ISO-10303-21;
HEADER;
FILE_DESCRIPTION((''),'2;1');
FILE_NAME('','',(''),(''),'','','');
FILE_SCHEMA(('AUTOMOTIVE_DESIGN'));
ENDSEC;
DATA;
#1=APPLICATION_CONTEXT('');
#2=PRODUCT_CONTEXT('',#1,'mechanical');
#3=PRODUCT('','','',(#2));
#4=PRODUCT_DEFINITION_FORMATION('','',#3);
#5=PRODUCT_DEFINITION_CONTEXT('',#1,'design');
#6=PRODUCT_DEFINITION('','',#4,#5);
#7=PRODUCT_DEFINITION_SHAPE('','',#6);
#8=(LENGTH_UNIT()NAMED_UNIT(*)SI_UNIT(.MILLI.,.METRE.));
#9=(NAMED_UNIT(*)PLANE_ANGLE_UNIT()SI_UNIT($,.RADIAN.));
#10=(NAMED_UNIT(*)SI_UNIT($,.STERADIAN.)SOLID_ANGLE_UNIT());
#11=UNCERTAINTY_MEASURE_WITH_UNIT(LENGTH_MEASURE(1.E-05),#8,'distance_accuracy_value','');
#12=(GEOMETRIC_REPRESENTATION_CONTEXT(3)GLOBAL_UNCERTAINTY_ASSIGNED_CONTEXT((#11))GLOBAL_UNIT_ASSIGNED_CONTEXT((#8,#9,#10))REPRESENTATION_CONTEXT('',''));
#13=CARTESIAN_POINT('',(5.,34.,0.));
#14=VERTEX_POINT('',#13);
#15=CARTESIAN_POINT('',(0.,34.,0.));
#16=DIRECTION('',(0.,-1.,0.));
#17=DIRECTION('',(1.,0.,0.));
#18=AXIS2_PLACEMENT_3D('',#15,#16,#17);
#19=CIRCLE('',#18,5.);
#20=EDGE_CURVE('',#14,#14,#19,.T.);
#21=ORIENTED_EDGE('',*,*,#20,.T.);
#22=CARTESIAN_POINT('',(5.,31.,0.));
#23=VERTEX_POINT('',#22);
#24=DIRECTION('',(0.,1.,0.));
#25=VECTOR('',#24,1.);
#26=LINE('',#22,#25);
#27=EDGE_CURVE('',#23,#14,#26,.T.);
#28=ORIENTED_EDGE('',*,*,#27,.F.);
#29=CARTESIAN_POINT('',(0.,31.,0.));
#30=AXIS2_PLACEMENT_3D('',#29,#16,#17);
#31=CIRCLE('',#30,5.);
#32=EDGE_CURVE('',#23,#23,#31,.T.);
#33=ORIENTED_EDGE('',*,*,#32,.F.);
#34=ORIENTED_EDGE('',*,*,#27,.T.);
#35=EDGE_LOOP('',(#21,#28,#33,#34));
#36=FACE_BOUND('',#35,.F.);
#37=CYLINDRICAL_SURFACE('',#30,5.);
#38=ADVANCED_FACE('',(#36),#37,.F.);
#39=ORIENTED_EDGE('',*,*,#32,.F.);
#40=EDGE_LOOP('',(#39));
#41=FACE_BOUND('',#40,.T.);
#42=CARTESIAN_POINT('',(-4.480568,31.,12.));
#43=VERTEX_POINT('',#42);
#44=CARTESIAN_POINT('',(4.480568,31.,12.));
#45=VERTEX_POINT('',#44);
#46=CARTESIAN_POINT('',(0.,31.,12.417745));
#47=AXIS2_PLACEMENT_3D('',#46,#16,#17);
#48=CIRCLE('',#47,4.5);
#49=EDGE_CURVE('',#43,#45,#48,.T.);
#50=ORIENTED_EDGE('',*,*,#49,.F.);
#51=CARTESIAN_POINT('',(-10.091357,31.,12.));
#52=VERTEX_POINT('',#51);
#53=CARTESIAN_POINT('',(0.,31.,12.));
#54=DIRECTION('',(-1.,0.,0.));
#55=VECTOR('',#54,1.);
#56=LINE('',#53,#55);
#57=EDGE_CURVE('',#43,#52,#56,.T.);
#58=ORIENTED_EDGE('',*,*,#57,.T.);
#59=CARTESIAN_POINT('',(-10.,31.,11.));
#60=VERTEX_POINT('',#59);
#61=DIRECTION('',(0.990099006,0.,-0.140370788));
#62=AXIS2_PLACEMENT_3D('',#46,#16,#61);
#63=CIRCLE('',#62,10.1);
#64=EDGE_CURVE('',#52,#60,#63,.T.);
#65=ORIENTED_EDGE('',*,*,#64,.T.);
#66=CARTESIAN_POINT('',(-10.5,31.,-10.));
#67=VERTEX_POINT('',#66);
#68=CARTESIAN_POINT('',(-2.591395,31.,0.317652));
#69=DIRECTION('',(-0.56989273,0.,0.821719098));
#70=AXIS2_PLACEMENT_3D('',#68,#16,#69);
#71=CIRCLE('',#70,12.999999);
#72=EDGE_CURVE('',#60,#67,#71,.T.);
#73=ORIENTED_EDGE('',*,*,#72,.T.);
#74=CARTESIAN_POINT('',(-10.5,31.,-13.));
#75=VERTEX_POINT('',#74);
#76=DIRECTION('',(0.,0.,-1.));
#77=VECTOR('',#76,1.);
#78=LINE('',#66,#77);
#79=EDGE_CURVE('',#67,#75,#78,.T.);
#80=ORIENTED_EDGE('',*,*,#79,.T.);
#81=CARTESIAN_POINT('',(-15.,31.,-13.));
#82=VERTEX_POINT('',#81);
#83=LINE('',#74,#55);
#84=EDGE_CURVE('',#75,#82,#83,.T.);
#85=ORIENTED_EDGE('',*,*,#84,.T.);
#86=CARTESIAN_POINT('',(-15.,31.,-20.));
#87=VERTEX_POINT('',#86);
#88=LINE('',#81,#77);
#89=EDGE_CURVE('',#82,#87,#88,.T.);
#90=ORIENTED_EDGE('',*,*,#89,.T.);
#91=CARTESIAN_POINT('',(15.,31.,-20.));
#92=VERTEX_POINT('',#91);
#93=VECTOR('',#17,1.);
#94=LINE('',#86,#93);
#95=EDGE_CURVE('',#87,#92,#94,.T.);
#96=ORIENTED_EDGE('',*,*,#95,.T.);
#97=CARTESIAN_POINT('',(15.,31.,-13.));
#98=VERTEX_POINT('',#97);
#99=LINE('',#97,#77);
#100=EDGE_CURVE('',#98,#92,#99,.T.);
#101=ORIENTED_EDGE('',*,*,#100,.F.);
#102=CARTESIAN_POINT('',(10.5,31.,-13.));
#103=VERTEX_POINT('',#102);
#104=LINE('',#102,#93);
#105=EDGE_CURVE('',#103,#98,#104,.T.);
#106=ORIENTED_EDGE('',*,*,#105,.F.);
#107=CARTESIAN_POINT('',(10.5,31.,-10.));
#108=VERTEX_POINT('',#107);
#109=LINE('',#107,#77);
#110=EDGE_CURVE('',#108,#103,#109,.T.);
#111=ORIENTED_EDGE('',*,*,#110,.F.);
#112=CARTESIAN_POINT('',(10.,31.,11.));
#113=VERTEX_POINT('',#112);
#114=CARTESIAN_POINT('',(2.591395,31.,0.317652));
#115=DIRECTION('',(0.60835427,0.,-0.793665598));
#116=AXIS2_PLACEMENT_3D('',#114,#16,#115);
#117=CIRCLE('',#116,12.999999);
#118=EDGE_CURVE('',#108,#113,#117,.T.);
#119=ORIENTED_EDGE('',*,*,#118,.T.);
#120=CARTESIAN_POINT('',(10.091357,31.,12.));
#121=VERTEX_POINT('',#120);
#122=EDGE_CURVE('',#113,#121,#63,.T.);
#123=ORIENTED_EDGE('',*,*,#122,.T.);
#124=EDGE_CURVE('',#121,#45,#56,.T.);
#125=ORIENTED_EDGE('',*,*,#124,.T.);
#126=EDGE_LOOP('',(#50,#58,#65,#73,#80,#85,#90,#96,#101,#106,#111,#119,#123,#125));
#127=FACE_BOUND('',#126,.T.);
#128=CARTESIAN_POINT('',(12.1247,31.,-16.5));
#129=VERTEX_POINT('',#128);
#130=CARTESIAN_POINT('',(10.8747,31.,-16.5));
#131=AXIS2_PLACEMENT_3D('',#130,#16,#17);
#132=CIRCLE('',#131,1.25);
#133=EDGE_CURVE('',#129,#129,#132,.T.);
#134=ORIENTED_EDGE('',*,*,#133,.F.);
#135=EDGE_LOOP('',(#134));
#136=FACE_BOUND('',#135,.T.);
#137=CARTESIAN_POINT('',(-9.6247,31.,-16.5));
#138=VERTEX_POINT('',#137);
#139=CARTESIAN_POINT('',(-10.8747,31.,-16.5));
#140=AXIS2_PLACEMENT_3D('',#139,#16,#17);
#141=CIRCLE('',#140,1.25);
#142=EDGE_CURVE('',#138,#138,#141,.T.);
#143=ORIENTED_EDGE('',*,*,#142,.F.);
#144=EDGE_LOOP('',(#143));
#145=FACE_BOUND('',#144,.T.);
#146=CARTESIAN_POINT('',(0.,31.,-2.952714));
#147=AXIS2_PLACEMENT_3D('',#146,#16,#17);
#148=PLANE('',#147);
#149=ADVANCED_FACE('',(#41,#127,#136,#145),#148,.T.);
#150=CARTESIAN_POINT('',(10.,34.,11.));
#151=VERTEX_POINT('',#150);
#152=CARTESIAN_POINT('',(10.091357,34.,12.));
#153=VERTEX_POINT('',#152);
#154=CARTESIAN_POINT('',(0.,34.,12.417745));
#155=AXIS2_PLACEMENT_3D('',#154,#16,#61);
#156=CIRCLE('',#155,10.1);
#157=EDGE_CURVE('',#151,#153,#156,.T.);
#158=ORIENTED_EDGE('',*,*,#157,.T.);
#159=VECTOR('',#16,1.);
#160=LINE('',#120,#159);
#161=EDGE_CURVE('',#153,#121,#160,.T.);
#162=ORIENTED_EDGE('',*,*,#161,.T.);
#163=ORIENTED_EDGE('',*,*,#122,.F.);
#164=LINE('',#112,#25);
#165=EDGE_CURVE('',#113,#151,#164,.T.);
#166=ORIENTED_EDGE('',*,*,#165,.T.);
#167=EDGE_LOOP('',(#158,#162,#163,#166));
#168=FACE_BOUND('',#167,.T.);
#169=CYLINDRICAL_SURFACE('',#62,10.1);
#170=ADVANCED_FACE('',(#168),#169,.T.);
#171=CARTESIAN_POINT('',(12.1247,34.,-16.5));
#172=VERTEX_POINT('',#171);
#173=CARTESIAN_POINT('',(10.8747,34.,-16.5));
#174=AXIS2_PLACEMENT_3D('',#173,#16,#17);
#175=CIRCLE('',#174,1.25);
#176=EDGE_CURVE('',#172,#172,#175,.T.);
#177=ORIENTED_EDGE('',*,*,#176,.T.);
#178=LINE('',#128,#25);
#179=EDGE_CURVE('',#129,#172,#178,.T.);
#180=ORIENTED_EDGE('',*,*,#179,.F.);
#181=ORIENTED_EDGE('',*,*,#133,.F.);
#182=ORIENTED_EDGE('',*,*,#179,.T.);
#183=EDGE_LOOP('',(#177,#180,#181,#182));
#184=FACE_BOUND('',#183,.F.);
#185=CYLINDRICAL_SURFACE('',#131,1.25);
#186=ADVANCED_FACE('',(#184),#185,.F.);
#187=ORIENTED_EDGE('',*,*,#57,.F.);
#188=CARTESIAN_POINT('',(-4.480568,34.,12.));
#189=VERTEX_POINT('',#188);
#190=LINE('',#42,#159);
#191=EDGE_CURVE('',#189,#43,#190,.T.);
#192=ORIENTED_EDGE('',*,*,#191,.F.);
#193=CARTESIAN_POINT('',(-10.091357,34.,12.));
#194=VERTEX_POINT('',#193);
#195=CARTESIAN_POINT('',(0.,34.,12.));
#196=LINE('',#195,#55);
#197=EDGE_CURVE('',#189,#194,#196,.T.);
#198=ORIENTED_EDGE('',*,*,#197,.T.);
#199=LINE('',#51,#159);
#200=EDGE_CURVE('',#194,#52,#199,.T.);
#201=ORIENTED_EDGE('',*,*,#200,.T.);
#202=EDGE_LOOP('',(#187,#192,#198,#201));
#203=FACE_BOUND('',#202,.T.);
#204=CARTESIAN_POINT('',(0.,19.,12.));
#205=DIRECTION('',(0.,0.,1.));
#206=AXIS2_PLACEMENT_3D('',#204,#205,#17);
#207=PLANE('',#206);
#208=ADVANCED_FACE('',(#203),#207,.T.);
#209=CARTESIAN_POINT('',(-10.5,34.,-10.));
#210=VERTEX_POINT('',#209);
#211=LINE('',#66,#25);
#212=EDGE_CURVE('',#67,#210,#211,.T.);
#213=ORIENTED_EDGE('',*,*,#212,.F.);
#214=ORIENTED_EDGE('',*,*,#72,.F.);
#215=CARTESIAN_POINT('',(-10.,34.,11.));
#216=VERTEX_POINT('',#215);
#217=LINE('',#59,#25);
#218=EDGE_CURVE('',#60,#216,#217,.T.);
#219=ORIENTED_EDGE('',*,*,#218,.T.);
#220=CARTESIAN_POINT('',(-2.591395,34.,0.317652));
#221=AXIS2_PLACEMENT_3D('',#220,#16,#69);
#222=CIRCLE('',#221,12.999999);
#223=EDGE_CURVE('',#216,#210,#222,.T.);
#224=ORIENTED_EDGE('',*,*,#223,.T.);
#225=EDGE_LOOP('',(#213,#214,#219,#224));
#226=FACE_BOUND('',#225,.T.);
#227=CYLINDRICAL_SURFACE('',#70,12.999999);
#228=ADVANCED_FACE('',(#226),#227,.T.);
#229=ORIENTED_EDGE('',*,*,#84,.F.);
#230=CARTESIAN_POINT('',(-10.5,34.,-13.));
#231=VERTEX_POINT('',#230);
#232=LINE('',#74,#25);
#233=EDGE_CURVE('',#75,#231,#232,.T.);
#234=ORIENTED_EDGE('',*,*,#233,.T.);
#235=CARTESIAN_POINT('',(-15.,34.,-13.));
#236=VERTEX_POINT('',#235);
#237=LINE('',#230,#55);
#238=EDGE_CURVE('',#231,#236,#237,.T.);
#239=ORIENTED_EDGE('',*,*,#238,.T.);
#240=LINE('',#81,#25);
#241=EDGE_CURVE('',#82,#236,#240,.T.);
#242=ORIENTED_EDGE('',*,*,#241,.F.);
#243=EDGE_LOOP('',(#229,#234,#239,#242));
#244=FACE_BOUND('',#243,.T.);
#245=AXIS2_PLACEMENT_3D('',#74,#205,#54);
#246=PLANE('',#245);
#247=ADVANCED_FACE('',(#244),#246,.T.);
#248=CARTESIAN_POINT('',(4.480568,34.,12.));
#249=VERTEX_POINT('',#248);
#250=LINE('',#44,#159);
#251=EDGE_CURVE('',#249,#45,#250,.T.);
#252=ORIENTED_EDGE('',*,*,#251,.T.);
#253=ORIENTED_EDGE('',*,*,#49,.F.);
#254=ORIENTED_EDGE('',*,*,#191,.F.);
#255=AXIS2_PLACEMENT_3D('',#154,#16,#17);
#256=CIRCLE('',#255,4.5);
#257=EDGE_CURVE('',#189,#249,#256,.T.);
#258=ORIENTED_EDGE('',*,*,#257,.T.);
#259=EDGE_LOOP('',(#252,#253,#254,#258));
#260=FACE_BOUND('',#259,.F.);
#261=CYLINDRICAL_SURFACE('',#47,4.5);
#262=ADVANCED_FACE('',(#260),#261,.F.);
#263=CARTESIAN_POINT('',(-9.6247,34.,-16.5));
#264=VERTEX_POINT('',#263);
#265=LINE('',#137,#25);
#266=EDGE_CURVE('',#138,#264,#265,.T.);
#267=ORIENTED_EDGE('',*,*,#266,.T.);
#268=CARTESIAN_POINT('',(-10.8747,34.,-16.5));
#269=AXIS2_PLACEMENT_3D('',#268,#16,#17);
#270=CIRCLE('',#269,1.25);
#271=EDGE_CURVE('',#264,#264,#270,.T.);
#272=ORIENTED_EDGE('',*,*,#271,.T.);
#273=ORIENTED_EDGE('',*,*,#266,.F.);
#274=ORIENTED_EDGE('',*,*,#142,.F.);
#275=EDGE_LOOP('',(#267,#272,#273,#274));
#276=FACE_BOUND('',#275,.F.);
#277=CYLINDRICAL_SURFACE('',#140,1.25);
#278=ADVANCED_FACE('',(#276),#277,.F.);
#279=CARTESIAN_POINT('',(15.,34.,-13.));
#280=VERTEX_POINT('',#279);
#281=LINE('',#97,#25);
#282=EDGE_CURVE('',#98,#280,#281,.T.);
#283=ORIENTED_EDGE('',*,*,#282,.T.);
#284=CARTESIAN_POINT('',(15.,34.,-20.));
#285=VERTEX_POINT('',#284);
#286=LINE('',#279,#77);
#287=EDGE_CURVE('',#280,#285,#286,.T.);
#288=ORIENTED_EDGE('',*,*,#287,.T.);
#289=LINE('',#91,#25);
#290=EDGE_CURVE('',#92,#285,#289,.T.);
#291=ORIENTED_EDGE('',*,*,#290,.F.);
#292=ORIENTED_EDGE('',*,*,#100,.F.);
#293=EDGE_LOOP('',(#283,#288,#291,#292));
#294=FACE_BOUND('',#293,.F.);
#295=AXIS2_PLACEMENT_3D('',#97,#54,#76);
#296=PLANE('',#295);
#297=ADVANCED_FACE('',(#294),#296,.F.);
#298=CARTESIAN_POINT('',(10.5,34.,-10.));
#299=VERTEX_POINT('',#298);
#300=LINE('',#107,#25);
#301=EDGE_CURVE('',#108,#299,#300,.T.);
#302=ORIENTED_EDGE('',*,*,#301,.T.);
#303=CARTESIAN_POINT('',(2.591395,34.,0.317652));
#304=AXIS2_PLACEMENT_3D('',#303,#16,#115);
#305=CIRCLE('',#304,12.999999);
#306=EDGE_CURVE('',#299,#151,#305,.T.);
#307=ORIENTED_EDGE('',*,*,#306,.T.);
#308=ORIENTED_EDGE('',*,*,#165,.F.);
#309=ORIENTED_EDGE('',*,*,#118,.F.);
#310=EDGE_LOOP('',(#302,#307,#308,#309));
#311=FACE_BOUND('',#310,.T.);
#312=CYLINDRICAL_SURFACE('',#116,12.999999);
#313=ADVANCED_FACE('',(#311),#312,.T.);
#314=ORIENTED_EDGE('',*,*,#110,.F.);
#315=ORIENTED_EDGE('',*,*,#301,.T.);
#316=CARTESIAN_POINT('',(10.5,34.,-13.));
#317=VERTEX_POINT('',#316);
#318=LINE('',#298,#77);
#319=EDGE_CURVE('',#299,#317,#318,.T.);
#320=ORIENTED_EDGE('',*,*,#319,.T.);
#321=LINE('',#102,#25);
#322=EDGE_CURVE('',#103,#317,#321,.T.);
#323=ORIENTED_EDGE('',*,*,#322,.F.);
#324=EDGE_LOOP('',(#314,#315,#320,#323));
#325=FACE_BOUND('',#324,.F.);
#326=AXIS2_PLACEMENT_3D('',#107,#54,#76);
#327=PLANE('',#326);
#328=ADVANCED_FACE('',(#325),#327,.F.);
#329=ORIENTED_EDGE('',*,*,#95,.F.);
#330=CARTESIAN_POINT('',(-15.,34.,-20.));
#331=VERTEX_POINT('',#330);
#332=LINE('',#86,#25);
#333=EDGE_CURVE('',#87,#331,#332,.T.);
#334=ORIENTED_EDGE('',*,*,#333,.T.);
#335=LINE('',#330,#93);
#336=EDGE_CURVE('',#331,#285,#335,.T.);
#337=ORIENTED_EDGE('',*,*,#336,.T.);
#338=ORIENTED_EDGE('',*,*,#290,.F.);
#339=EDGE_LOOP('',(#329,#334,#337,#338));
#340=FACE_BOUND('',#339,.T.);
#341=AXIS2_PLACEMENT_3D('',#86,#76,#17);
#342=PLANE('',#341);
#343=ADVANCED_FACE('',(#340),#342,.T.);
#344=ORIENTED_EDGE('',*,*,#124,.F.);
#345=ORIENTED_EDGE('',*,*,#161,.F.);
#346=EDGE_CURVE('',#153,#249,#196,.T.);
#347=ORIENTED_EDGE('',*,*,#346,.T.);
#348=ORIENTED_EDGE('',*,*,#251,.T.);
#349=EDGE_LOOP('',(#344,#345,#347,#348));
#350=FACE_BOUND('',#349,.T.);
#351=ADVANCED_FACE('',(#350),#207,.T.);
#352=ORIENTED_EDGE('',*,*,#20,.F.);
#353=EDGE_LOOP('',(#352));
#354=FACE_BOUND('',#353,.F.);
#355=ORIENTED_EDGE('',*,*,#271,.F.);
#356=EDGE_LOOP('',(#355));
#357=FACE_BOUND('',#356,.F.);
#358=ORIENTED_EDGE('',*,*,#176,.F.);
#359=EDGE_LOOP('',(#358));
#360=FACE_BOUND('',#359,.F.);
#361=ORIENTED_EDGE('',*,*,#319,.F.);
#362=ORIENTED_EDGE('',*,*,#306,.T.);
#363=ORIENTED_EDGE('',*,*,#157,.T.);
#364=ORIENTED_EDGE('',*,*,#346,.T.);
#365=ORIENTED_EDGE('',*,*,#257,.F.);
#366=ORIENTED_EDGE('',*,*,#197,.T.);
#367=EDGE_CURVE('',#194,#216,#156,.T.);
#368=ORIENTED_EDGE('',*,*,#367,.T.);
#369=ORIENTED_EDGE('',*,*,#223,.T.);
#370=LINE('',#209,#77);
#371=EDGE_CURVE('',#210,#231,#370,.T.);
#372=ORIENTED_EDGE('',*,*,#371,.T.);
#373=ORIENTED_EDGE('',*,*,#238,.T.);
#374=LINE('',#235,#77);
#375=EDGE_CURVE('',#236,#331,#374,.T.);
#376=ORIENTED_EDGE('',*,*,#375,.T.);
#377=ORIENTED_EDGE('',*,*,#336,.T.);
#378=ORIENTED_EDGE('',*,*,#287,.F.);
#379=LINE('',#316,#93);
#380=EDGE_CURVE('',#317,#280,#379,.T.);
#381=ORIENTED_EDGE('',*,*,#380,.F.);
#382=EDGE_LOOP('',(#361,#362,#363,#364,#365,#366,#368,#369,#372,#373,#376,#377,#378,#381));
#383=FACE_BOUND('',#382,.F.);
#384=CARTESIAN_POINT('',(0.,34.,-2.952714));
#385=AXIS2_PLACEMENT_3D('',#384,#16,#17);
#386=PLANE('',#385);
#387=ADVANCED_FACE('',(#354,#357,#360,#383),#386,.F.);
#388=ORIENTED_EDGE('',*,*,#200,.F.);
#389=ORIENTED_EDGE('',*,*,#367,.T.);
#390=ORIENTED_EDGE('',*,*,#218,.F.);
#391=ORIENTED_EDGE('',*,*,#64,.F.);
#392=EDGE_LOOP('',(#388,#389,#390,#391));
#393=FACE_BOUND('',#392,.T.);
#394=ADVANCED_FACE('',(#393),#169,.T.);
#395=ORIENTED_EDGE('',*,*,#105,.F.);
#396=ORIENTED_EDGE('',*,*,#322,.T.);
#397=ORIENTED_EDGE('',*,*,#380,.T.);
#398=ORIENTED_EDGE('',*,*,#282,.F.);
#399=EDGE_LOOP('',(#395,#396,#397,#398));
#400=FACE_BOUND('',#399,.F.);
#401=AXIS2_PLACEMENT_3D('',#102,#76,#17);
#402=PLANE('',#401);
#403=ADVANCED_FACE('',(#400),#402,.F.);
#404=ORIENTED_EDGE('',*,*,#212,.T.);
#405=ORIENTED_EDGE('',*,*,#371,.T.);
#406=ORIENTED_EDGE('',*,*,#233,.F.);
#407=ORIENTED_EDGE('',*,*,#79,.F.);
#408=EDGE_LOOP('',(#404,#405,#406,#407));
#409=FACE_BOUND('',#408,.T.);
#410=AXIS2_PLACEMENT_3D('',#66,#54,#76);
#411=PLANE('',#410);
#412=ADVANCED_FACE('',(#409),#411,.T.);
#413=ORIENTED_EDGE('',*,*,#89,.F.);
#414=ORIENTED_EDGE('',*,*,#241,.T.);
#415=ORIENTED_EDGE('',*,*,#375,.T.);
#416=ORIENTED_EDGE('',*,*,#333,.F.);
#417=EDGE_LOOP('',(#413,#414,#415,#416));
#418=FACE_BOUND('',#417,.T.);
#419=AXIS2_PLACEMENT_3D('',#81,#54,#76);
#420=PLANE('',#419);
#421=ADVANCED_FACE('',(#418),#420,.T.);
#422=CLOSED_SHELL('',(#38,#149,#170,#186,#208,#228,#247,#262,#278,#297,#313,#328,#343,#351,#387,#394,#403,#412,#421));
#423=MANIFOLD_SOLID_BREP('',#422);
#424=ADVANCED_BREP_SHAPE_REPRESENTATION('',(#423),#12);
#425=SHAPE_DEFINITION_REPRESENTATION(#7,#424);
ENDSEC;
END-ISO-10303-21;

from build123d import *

# Parameters (mm, degrees)
BOX044_W         = 24
BOX044_H         = 42
BOX044_DEPTH     = 13
SKETCH022_R      = 5
SKETCH022_R_2    = 4.5
SKETCH022_R_3    = 1.25
EXTRUDE022_DEPTH = 3
BOX039_W         = 3
BOX039_H         = 2
BOX039_DEPTH     = 2


with BuildPart() as cube005:
    # Box044 → Box044 (new body)
    with BuildSketch(Plane(origin=(-12, -2, 12), x_dir=(1, 0, 0), z_dir=(0, 0, 1))):
        with Locations((12, 21)):
            Rectangle(BOX044_W, BOX044_H)
    extrude(amount=BOX044_DEPTH)


with BuildPart() as back_cover:
    # Sketch022 → Extrude022 (new body)
    with BuildSketch(Plane.XZ):
        with BuildLine():
            ThreePointArc((10, 11), (0, 22.517745), (-10, 11))
            ThreePointArc((-10, 11), (-15.587711, 0.627088), (-10.5, -10))
            Line((-10.5, -10), (-10.5, -13))
            Line((-10.5, -13), (-15, -13))
            Line((-15, -13), (-15, -20))
            Line((-15, -20), (15, -20))
            Line((15, -13), (15, -20))
            Line((10.5, -13), (15, -13))
            Line((10.5, -10), (10.5, -13))
            ThreePointArc((10.5, -10), (15.587711, 0.627088), (10, 11))
        make_face()
        Circle(SKETCH022_R, mode=Mode.SUBTRACT)
        with Locations((0, 12.417745)):
            Circle(SKETCH022_R_2, mode=Mode.SUBTRACT)
        with Locations((-10.8747, -16.5)):
            Circle(SKETCH022_R_3, mode=Mode.SUBTRACT)
        with Locations((10.8747, -16.5)):
            Circle(SKETCH022_R_3, mode=Mode.SUBTRACT)
    extrude(amount=-EXTRUDE022_DEPTH)


with BuildPart() as back_cover_1:
    # Extrude022 placement: moved
    add(back_cover.part.moved(Location((0, 31, 0))))


with BuildPart() as cover:
    # Box039 → Box039 (new body)
    with BuildSketch(Plane(origin=(-1.5, 29, 19.5), x_dir=(1, 0, 0), z_dir=(0, 0, 1))):
        with Locations((1.5, 1)):
            Rectangle(BOX039_W, BOX039_H)
    extrude(amount=BOX039_DEPTH)

    # Fusion025: union Back_cover
    add(back_cover_1.part)

    # Cut032: cut Cube005
    add(cube005.part, mode=Mode.SUBTRACT)


solid = cover.part
